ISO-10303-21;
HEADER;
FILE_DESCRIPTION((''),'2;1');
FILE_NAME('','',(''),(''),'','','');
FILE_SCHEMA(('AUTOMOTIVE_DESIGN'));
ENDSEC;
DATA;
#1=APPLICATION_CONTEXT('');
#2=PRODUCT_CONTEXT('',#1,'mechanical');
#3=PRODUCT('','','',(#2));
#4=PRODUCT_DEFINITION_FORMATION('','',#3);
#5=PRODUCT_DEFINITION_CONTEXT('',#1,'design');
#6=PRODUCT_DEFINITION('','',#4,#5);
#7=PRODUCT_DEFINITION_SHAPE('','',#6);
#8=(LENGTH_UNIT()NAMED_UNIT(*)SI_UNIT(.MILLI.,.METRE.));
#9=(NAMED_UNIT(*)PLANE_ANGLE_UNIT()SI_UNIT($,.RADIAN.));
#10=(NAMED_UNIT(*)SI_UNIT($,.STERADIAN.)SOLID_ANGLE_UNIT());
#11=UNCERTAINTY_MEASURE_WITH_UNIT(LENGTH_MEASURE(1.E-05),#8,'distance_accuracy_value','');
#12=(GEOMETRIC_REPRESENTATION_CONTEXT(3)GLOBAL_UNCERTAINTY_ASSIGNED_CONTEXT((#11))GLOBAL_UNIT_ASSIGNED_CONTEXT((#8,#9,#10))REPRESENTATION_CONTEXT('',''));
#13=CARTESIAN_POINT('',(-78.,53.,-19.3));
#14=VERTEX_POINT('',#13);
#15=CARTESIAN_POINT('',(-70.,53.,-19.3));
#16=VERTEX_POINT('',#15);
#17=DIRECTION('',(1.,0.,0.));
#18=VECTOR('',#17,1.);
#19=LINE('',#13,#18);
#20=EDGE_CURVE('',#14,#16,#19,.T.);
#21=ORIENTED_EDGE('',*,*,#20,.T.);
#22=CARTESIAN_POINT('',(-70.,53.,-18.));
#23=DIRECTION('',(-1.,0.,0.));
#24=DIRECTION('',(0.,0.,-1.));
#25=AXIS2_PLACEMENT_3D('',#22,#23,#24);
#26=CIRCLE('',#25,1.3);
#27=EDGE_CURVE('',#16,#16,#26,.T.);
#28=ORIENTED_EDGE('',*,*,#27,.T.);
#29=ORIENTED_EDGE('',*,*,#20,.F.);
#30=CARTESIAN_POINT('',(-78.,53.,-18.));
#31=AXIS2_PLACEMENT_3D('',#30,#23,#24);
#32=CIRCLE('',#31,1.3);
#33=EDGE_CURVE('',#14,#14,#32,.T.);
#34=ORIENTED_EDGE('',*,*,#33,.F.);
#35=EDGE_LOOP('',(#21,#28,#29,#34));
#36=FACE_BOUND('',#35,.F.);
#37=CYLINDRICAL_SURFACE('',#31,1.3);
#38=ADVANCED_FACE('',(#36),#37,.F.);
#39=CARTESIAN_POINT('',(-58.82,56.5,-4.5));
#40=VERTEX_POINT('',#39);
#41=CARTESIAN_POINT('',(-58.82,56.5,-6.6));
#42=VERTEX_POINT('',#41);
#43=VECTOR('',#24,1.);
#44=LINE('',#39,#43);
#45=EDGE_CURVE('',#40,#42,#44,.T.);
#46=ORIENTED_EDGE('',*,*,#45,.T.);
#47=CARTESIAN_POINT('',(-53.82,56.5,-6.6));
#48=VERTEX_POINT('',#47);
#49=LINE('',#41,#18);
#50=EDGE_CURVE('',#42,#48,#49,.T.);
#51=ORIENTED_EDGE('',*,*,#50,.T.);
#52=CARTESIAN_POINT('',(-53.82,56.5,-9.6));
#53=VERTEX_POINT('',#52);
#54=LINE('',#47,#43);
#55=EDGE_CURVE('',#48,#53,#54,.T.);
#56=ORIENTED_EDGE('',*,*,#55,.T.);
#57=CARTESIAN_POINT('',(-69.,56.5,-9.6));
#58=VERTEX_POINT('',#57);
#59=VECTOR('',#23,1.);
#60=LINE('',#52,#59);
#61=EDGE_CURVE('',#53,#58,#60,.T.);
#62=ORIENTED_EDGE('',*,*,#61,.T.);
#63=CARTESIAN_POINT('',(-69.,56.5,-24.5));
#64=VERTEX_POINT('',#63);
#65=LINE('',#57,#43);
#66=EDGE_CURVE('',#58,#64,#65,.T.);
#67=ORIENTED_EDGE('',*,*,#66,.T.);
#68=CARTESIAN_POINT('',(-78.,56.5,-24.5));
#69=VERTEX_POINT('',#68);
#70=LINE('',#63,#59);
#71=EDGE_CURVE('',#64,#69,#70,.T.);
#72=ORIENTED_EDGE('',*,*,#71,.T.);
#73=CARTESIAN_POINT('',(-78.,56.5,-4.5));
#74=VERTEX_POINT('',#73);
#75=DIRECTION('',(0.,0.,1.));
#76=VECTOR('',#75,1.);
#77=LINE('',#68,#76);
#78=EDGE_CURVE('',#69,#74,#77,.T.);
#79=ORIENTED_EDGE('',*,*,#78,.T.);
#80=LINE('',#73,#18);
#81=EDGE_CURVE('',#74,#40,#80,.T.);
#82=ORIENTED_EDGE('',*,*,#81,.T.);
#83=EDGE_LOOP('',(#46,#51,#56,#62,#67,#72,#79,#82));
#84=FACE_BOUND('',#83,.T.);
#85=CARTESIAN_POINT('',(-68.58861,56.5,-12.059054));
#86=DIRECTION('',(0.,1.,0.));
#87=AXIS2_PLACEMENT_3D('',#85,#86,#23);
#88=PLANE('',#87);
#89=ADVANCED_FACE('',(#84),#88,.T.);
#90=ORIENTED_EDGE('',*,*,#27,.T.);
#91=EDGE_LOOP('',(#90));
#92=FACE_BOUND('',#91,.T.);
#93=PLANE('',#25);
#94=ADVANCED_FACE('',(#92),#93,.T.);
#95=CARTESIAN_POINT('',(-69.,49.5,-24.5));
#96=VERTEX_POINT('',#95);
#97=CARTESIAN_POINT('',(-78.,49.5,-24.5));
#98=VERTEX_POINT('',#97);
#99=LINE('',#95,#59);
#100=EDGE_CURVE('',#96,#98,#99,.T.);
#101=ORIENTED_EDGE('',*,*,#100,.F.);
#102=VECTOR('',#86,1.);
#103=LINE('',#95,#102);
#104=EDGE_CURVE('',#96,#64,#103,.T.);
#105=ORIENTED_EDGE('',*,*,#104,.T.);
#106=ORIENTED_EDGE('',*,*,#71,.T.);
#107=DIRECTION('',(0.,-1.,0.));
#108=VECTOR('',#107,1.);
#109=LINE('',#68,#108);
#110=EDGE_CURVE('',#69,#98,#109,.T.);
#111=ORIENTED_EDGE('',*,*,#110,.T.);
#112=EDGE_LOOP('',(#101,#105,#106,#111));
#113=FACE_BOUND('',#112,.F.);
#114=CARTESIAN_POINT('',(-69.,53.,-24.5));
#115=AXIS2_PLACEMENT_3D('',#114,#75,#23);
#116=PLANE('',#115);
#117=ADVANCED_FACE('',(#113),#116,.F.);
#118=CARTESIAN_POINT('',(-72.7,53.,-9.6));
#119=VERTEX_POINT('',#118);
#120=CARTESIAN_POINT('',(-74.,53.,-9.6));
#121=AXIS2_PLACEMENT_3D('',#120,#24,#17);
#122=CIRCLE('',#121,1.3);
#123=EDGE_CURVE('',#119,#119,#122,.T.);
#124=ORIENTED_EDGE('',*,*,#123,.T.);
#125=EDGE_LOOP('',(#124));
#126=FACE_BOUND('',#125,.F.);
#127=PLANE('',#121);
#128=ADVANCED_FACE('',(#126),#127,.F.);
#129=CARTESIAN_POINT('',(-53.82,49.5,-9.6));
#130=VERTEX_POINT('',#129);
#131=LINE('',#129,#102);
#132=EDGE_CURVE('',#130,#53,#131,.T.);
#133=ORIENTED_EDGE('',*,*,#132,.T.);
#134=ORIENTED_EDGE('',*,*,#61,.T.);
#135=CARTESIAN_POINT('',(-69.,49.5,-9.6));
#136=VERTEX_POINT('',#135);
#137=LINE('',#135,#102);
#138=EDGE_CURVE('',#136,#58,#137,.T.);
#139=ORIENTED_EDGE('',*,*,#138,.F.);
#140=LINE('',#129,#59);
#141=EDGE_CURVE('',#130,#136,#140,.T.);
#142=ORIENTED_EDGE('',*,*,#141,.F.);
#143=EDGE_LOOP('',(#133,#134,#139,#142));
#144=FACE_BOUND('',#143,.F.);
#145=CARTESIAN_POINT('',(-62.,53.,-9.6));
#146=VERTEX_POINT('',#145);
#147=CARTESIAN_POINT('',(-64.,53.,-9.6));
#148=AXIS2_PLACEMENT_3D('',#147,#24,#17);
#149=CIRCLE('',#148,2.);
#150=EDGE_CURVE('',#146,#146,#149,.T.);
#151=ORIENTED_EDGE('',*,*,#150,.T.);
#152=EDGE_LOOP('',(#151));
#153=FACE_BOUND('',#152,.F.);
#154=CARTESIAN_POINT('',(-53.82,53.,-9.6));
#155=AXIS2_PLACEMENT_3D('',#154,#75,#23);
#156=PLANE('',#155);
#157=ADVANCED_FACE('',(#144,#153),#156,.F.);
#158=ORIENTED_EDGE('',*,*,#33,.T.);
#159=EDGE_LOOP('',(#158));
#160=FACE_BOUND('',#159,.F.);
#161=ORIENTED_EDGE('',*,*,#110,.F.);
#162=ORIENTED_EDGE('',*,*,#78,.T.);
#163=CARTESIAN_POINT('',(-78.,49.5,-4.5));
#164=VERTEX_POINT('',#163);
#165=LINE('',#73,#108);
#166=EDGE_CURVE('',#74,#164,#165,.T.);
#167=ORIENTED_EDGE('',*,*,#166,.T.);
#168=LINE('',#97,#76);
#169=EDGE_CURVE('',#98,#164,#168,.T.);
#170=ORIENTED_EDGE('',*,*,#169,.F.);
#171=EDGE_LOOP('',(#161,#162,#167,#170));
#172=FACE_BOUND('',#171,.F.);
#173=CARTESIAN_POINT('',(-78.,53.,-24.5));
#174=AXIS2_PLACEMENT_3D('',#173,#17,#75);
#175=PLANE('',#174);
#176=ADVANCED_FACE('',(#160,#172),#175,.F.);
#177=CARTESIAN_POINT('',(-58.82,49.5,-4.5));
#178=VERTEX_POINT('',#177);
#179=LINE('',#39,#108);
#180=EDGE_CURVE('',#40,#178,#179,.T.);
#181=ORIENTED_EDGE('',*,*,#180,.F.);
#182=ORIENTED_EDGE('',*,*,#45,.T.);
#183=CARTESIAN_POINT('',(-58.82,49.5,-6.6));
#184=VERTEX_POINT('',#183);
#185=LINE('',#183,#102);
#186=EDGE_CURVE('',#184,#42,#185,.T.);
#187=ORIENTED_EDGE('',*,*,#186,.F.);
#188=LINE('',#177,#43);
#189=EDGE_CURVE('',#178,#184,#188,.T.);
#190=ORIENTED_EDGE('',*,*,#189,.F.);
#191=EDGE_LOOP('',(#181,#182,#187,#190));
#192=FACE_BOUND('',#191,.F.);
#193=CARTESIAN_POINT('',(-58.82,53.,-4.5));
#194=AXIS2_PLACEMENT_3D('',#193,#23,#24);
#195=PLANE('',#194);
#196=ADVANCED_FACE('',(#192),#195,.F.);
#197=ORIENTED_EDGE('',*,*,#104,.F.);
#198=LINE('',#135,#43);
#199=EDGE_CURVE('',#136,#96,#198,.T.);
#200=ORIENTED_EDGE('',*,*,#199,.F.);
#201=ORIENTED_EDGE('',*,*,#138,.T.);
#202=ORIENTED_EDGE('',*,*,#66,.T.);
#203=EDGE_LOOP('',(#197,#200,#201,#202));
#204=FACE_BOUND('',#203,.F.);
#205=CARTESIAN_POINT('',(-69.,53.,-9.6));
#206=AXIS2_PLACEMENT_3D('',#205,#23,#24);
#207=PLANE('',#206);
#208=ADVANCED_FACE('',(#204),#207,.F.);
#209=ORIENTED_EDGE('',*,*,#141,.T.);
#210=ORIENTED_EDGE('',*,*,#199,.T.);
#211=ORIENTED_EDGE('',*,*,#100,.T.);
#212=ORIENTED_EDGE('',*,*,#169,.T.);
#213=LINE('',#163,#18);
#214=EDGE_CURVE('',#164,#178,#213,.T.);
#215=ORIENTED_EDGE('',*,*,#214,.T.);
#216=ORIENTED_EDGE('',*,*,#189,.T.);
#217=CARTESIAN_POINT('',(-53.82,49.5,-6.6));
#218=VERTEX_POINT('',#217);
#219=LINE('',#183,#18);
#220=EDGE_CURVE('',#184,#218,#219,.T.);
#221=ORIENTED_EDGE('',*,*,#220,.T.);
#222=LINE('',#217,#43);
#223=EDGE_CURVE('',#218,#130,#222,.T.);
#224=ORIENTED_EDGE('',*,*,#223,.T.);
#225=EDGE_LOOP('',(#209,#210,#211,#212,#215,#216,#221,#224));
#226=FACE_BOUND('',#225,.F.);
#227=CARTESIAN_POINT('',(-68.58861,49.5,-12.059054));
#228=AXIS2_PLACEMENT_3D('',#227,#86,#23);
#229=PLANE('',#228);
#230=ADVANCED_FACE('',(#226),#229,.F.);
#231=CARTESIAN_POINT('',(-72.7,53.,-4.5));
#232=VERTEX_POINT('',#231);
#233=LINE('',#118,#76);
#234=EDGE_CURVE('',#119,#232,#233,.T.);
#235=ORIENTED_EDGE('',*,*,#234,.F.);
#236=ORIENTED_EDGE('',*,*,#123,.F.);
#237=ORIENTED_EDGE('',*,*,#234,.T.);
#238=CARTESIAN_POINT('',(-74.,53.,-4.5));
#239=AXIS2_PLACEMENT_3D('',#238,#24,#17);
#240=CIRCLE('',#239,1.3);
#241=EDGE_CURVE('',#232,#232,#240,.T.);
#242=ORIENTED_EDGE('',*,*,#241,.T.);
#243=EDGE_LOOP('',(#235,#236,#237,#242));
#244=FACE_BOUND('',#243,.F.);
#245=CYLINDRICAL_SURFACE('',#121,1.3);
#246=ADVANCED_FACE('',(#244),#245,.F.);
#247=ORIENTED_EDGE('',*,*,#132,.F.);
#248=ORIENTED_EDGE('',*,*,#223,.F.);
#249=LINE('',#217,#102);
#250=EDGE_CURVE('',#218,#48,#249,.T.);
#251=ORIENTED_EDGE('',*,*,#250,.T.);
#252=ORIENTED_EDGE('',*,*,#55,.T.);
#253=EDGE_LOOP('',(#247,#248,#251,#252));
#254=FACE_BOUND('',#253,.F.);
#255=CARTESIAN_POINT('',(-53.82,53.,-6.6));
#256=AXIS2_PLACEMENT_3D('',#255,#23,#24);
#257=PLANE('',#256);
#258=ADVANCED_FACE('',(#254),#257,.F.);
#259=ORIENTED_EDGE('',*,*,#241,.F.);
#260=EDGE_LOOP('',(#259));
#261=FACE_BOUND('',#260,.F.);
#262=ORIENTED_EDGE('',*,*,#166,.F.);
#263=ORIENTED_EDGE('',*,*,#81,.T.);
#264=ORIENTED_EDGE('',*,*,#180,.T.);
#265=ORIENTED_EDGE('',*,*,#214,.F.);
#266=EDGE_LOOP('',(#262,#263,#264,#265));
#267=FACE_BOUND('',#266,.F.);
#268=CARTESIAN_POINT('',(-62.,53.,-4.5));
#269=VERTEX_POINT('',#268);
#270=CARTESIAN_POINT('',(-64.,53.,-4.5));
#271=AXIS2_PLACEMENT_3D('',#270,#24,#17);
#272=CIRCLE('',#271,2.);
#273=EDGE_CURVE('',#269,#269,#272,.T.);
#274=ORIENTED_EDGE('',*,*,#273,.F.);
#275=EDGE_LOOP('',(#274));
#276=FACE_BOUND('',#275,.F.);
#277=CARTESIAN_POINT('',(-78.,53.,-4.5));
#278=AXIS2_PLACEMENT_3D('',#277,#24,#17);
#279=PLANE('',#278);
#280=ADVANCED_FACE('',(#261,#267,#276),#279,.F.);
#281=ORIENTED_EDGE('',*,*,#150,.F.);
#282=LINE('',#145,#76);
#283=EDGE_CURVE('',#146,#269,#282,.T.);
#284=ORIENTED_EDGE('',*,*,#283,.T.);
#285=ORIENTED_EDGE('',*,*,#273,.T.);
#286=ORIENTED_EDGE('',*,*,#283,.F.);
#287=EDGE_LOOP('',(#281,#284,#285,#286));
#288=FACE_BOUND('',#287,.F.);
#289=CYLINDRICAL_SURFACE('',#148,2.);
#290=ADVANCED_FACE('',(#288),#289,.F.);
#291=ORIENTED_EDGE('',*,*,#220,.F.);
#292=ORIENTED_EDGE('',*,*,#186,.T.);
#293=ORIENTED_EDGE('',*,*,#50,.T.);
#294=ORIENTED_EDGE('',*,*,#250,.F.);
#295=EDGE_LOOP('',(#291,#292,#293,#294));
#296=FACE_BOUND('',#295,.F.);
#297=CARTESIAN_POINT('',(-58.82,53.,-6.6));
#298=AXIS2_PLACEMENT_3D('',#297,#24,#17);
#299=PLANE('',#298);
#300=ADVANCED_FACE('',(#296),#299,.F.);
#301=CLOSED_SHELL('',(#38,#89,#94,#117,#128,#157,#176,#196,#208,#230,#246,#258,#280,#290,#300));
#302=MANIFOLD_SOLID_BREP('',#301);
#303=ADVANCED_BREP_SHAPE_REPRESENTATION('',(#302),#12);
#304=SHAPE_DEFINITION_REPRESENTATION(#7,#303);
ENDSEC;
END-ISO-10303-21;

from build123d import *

# Parameters (mm, degrees)
PAD025_DEPTH      = 3.5
PAD025_DEPTH_BACK = 3.5
SKETCH047_R       = 2
SKETCH047_R_2     = 1.3
POCKET_DEPTH      = 8
SKETCH049_R       = 1.3
POCKET001_DEPTH   = 8


with BuildPart() as part:
    # Sketch → Pad025 (new body, two sides)
    with BuildSketch(Plane.XZ) as pad025_sk:
        Polygon((-58.82, -4.5), (-58.82, -6.6), (-53.82, -6.6), (-53.82, -9.6), (-69, -9.6), (-69, -24.5), (-78, -24.5), (-78, -4.5), align=None)
    extrude(amount=PAD025_DEPTH)
    extrude(pad025_sk.sketch, amount=-PAD025_DEPTH_BACK)

    # Sketch047 → Pocket (cut)
    with BuildSketch(Plane(origin=(0, 0, -9.6), x_dir=(1, 0, 0), z_dir=(0, 0, -1))):
        with Locations((-64, 0)):
            Circle(SKETCH047_R)
        with Locations((-74, 0)):
            Circle(SKETCH047_R_2)
    extrude(amount=-POCKET_DEPTH, mode=Mode.SUBTRACT)

    # Sketch049 → Pocket001 (cut)
    with BuildSketch(Plane(origin=(-78, 0, 0), x_dir=(0, 0, -1), z_dir=(-1, 0, 0))):
        with Locations((18, 0)):
            Circle(SKETCH049_R)
    extrude(amount=-POCKET001_DEPTH, mode=Mode.SUBTRACT)


with BuildPart() as part_1:
    # Clone007 placement: moved
    add(part.part.moved(Location((0, 53, 0))))


solid = part_1.part
